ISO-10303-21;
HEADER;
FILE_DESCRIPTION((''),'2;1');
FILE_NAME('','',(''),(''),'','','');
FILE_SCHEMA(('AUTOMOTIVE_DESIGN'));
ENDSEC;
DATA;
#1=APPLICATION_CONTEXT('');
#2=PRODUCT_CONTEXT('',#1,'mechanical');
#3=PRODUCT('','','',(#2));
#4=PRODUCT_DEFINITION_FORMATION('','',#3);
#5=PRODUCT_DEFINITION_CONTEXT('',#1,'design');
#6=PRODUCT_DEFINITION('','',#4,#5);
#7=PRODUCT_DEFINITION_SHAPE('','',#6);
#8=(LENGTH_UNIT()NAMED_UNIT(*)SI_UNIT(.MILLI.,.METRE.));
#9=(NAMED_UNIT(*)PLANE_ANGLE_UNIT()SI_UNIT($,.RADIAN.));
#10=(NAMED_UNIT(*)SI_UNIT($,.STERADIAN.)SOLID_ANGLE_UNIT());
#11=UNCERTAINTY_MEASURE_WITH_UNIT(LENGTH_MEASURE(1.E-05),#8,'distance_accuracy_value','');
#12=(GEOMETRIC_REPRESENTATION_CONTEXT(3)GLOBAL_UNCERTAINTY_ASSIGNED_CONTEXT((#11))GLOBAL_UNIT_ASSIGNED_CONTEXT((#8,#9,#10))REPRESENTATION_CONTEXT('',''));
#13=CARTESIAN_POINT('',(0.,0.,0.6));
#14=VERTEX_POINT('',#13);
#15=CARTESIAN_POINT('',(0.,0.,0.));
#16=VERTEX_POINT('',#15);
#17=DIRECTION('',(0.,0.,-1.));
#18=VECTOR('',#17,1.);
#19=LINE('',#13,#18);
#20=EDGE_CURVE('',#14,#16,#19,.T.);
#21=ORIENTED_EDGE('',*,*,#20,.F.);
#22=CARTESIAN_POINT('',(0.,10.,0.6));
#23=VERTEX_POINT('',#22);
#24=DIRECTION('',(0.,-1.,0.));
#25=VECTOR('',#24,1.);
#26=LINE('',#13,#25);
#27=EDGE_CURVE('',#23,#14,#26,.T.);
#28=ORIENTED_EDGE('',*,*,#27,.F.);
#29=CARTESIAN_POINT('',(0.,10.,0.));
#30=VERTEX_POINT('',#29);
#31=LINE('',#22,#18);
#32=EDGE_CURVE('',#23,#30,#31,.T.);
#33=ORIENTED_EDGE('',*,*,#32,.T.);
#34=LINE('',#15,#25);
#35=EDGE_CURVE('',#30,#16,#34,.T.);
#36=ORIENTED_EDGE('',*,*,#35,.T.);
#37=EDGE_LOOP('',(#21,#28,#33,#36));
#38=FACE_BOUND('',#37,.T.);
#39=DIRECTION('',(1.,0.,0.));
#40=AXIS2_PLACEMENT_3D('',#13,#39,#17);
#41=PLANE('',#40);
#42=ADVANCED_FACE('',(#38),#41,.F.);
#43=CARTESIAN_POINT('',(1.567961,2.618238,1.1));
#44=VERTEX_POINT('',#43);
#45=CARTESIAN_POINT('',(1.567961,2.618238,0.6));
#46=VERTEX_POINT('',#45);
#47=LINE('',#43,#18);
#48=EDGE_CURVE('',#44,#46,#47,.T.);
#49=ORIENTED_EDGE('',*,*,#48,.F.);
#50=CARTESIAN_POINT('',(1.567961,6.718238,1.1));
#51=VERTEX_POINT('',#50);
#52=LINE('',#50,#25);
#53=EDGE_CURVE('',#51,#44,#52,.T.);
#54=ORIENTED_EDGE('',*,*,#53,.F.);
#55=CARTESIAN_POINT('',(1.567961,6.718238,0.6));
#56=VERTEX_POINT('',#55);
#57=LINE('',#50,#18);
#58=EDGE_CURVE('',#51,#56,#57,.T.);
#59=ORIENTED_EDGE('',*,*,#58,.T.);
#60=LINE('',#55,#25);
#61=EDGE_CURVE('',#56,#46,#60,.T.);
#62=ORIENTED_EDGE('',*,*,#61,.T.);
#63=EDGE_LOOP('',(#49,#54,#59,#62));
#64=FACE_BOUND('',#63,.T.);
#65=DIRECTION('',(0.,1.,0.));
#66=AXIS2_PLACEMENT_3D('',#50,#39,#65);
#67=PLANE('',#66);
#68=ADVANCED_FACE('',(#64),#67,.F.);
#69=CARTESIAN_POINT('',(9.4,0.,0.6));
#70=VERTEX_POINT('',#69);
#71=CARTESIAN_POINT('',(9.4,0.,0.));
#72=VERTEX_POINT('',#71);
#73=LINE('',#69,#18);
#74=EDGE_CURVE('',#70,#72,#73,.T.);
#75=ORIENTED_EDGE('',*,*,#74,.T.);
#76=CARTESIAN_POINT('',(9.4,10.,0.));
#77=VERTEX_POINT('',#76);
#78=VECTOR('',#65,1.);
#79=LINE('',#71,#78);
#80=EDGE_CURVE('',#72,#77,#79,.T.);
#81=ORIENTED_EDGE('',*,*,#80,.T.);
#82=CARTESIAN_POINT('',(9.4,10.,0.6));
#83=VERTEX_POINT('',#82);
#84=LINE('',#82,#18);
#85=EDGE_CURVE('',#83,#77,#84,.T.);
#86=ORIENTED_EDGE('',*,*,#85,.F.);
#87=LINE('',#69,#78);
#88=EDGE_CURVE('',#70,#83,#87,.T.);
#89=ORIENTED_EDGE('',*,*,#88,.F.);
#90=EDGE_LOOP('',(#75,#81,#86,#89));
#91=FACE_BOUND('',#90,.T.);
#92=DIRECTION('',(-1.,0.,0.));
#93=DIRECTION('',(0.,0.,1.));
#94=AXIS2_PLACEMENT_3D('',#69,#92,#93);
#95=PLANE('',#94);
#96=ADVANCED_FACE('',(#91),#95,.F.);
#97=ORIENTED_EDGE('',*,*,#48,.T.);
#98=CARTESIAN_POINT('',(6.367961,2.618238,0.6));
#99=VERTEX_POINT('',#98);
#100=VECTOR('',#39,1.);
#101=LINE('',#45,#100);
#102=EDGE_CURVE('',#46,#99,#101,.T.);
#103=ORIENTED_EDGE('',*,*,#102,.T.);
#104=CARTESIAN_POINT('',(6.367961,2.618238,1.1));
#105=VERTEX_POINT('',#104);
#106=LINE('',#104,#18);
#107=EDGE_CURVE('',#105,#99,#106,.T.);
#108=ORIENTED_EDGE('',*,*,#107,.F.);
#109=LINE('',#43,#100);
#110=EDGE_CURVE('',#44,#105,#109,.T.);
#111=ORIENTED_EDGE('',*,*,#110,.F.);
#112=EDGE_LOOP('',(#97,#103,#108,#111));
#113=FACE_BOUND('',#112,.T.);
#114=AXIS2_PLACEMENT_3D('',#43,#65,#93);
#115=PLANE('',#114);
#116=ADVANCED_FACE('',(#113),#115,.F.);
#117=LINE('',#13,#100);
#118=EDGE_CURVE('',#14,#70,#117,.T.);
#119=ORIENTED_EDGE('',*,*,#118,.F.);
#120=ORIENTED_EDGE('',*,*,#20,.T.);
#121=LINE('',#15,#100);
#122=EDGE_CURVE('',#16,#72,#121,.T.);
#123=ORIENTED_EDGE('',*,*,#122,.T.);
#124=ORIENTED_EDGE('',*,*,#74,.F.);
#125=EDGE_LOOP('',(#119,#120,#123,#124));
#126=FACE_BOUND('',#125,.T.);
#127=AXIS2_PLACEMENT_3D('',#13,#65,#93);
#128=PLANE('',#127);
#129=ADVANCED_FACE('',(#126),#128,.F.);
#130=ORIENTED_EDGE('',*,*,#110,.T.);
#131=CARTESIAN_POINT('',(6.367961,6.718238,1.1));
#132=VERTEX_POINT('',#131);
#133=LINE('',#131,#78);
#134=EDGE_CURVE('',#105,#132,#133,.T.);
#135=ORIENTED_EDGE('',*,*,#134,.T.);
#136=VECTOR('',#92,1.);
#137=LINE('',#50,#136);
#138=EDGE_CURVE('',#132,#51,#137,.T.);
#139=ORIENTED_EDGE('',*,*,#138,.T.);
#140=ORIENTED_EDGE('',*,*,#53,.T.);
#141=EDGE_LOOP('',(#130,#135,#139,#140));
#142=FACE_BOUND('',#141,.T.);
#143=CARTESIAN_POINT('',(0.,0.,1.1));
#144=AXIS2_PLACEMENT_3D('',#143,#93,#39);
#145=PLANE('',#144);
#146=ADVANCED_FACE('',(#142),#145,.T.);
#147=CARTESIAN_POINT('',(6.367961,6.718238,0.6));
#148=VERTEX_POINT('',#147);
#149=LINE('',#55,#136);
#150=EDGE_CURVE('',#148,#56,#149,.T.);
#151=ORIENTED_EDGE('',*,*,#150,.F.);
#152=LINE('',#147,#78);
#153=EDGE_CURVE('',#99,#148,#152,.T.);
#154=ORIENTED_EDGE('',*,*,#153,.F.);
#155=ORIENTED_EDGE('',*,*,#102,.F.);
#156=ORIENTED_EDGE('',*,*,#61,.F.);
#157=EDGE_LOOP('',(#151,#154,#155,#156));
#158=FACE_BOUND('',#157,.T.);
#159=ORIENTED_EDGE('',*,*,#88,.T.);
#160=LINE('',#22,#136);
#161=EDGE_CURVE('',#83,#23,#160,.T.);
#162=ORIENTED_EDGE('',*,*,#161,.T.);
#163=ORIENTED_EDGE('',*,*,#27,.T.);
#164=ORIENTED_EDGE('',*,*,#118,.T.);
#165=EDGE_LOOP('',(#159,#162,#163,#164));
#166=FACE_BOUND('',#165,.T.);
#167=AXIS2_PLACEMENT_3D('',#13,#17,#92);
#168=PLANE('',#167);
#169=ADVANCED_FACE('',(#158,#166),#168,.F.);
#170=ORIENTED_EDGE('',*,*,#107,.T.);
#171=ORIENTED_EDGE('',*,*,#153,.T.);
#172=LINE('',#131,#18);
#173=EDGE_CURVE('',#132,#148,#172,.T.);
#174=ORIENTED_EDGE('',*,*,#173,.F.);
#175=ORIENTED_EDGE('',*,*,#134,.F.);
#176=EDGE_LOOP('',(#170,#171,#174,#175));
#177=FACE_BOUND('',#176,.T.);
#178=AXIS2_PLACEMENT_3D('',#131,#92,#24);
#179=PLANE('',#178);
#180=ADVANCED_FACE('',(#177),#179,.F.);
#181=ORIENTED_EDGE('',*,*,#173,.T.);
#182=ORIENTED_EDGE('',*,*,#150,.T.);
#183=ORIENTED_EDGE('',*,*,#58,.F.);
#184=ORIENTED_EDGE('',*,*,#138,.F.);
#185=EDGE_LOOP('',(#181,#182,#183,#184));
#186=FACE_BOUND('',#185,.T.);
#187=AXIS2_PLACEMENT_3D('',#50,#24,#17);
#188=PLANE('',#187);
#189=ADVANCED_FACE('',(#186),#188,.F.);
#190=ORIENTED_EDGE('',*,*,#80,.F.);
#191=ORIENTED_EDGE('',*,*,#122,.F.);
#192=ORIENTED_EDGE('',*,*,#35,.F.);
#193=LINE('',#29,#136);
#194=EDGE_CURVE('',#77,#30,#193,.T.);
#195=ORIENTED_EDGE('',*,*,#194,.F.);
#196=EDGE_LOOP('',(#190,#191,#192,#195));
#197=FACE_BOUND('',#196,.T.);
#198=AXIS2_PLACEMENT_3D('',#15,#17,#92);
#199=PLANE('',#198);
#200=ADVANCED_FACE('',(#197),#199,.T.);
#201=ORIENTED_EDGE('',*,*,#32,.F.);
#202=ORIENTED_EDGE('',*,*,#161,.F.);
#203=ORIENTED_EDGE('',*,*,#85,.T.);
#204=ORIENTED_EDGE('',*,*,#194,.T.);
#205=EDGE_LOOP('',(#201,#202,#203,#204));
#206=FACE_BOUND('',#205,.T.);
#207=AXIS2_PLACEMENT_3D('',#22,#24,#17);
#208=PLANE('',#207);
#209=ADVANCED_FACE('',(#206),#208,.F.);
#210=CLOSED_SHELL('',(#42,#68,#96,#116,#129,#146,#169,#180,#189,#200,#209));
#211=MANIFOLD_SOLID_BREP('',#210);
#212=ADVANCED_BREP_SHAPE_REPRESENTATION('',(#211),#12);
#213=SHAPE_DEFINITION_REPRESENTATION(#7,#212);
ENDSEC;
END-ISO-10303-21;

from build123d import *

# Parameters (mm, degrees)
SKETCH1_W           = 9.4
SKETCH1_H           = 10
BOSS_EXTRUDE1_DEPTH = 0.6
SKETCH2_W           = 4.8
SKETCH2_H           = 4.1
BOSS_EXTRUDE2_DEPTH = 0.5


with BuildPart() as part:
    # Sketch1 → Boss-Extrude1 (new body)
    with BuildSketch(Plane.XY):
        with Locations((4.7, 5)):
            Rectangle(SKETCH1_W, SKETCH1_H)
    extrude(amount=BOSS_EXTRUDE1_DEPTH)

    # Sketch2 → Boss-Extrude2 (add)
    with BuildSketch(Plane.XY.offset(0.6)):
        with Locations((3.967961068, 4.668237869)):
            Rectangle(SKETCH2_W, SKETCH2_H)
    extrude(amount=BOSS_EXTRUDE2_DEPTH)


solid = part.part
